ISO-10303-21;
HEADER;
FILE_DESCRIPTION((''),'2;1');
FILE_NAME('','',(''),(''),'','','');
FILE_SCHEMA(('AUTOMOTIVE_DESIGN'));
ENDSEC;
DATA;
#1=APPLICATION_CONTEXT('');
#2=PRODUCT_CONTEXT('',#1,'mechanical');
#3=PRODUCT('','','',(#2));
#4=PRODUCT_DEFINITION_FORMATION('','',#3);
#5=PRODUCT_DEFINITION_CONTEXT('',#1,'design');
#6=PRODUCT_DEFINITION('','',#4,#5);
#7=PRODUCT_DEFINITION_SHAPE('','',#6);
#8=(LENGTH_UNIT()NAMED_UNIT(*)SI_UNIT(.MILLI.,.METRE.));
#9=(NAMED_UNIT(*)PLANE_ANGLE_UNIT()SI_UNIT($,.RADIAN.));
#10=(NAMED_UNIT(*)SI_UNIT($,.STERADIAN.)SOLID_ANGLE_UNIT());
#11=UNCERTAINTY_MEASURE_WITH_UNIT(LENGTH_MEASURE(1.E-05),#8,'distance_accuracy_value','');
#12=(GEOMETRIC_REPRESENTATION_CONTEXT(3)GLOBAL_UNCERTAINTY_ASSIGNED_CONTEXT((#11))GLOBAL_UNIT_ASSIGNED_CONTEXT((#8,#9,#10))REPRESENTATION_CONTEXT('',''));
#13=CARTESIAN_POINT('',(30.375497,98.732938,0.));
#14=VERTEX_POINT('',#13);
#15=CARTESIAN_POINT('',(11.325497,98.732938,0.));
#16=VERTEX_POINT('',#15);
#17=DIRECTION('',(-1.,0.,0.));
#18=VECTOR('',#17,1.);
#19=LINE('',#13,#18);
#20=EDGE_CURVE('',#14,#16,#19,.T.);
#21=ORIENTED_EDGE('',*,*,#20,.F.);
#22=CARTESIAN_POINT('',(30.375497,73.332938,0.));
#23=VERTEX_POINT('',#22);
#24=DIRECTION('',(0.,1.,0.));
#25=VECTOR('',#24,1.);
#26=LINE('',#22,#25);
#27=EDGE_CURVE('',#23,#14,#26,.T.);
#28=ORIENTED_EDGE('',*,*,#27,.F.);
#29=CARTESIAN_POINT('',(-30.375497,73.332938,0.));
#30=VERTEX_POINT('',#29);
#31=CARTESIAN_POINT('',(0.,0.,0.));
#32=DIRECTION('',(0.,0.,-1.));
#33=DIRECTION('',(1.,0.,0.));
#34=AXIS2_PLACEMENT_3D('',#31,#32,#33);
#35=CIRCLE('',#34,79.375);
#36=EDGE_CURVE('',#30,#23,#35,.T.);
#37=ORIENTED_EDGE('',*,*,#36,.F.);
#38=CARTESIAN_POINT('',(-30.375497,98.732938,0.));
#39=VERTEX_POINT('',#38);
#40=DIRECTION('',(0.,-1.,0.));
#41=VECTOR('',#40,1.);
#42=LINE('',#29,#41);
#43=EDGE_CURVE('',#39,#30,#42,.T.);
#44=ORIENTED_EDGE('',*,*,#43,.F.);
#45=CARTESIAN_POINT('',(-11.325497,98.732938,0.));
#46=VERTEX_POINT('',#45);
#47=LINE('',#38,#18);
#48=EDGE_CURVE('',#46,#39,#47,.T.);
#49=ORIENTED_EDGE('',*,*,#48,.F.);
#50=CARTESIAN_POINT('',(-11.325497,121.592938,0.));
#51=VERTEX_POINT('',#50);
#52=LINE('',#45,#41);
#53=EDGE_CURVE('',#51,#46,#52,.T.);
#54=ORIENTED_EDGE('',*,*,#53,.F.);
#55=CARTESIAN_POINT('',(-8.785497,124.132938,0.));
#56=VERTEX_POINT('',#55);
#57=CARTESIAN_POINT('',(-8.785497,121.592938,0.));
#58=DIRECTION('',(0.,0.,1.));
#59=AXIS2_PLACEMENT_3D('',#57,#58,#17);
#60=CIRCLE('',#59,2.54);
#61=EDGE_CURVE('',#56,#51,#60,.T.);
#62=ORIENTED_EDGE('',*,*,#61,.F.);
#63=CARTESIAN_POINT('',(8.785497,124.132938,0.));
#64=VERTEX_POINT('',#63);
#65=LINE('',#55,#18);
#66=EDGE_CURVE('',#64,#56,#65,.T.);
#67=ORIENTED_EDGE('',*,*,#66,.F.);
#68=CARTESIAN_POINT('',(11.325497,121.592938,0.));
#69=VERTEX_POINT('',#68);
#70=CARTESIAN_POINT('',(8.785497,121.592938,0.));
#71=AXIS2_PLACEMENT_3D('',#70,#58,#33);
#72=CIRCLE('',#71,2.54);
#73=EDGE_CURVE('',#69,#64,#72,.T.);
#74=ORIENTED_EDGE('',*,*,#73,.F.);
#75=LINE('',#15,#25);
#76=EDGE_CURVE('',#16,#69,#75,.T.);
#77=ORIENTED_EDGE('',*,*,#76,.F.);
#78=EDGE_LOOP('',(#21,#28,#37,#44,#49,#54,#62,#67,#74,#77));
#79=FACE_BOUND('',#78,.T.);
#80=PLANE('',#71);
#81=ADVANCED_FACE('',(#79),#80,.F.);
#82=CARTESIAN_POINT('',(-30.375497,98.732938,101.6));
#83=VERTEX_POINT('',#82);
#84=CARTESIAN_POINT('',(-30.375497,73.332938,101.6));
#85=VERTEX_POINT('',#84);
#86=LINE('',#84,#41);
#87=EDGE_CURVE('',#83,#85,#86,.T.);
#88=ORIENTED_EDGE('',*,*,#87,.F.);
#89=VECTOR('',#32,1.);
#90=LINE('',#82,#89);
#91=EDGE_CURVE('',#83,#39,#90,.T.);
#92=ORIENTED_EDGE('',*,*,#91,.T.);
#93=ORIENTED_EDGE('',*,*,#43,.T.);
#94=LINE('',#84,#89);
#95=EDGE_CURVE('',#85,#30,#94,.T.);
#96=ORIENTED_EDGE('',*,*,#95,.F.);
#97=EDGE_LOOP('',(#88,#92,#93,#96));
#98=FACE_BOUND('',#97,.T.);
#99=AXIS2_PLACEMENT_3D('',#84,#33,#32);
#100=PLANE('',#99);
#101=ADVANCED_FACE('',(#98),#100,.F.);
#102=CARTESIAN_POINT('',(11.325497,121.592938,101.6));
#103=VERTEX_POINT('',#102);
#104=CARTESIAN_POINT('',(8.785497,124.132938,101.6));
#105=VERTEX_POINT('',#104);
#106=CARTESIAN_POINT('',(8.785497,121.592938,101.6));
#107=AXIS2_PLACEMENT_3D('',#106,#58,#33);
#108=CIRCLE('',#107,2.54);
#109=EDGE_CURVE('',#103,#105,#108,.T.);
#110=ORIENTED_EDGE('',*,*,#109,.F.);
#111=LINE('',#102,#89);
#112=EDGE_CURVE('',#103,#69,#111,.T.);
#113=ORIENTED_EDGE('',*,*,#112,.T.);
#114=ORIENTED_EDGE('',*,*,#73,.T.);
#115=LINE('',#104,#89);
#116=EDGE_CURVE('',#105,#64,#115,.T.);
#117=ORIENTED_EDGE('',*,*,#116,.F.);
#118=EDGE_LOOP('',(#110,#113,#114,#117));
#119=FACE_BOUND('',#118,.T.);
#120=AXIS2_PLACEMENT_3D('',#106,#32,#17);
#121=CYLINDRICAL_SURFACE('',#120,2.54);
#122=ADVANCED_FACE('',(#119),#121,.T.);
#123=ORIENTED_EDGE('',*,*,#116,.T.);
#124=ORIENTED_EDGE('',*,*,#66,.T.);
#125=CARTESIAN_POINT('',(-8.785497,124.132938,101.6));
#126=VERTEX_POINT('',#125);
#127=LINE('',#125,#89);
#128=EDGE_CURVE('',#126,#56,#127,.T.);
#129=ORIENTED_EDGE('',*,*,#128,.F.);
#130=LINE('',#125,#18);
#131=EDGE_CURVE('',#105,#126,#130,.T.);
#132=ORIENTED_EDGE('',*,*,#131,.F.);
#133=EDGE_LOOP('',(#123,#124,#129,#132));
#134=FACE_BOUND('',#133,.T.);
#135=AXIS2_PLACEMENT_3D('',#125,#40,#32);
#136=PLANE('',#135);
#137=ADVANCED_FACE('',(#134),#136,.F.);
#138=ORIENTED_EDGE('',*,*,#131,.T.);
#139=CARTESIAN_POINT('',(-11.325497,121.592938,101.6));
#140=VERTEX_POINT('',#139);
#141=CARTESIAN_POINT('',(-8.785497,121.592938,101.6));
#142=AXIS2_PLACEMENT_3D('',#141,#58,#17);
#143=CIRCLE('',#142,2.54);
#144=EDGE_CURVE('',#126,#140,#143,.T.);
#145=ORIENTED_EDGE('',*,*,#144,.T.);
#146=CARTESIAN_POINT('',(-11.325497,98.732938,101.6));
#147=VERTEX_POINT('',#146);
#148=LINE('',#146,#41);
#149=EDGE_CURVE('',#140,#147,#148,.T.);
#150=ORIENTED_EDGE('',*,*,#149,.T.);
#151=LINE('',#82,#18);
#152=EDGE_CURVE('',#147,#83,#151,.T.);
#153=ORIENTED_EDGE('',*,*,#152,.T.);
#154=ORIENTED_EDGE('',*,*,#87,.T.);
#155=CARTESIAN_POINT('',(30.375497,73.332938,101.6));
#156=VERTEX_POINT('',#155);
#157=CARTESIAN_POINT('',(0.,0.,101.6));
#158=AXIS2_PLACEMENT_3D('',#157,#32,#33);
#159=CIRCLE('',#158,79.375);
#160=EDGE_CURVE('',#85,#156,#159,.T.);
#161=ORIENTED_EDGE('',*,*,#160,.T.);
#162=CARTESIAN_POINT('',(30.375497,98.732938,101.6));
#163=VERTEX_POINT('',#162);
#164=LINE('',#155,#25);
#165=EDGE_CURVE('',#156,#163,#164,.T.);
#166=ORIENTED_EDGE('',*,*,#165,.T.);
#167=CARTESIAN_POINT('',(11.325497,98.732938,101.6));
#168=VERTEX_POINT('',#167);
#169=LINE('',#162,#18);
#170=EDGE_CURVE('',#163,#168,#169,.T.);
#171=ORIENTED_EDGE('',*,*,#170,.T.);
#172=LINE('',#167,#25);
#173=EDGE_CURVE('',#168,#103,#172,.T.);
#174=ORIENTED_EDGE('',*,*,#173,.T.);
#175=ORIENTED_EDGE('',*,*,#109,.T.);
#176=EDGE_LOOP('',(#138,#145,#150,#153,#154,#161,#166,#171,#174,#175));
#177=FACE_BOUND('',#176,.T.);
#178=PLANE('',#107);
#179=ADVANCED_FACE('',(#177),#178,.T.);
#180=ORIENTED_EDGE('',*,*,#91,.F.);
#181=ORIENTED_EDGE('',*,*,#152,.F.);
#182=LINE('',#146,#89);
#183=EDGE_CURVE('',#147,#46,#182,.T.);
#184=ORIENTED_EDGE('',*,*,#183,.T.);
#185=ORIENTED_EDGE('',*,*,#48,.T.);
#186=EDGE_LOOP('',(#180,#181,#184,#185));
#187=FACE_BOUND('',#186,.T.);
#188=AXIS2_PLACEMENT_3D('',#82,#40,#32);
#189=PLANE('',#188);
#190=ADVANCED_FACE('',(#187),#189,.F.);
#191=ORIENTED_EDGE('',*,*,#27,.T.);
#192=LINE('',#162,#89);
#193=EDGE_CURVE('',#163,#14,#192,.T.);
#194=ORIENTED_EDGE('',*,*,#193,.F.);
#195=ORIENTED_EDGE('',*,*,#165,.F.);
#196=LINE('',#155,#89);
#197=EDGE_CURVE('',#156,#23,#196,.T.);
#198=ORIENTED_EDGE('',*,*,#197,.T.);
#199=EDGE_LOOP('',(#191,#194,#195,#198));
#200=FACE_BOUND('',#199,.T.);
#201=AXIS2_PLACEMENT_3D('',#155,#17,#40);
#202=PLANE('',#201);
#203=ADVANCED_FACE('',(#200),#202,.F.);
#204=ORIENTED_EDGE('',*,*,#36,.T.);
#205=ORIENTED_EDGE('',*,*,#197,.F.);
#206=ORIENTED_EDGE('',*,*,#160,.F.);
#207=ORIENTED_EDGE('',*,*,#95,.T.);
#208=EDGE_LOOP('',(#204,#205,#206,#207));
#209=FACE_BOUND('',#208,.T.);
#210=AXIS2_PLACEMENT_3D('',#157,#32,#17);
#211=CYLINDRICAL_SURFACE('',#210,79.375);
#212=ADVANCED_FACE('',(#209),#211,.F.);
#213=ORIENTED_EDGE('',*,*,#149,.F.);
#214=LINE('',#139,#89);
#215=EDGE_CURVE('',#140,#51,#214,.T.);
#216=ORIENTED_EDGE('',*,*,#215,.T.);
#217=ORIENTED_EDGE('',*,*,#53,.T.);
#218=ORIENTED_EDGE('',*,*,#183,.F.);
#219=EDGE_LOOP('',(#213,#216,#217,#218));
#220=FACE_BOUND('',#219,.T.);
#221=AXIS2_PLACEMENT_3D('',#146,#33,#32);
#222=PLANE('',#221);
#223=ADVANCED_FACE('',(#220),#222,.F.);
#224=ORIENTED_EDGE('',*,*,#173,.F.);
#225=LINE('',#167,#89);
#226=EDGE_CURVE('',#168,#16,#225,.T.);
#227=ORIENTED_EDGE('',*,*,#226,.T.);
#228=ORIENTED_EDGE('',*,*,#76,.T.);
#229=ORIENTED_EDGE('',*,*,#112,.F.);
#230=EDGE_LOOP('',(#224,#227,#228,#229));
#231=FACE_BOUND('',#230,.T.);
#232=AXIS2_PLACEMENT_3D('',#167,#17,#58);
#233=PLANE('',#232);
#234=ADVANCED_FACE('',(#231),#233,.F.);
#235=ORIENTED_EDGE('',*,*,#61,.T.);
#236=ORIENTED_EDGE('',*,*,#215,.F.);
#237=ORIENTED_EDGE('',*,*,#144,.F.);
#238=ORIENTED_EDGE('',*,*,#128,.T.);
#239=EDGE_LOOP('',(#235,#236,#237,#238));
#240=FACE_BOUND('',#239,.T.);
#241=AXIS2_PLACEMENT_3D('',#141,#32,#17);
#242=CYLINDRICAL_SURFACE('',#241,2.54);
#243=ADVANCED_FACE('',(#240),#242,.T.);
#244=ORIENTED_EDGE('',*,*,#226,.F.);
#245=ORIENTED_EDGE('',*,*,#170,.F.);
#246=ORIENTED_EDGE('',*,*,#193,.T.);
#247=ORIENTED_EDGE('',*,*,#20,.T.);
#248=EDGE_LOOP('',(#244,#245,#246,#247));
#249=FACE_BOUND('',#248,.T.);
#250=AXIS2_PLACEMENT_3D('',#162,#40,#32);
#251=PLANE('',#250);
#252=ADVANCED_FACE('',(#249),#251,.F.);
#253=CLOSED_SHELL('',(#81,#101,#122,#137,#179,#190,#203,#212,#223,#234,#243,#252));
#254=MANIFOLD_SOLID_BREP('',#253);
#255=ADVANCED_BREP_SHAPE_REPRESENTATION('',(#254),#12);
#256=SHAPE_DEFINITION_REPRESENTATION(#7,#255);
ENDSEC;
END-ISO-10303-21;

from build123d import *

# Parameters (mm, degrees)
BOSS_EXTRUDE2_DEPTH = 101.6


with BuildPart() as part:
    # Sketch1 → Boss-Extrude2 (new body)
    with BuildSketch(Plane.XY):
        with BuildLine():
            Line((-30.375497444, 98.732937893), (-11.325497444, 98.732937893))
            Line((-11.325497444, 98.732937893), (-11.325497444, 121.592937893))
            ThreePointArc((-11.325497444, 121.592937893), (-10.581548668, 123.388989117), (-8.785497444, 124.132937893))
            Line((-8.785497444, 124.132937893), (8.785497444, 124.132937893))
            ThreePointArc((8.785497444, 124.132937893), (10.581548668, 123.388989117), (11.325497444, 121.592937893))
            Line((11.325497444, 121.592937893), (11.325497444, 98.732937893))
            Line((11.325497444, 98.732937893), (30.375497444, 98.732937893))
            Line((30.375497444, 98.732937893), (30.375497444, 73.332937893))
            ThreePointArc((30.375497444, 73.332937893), (0, 79.375), (-30.375497444, 73.332937893))
            Line((-30.375497444, 73.332937893), (-30.375497444, 98.732937893))
        make_face()
    extrude(amount=BOSS_EXTRUDE2_DEPTH)


solid = part.part
